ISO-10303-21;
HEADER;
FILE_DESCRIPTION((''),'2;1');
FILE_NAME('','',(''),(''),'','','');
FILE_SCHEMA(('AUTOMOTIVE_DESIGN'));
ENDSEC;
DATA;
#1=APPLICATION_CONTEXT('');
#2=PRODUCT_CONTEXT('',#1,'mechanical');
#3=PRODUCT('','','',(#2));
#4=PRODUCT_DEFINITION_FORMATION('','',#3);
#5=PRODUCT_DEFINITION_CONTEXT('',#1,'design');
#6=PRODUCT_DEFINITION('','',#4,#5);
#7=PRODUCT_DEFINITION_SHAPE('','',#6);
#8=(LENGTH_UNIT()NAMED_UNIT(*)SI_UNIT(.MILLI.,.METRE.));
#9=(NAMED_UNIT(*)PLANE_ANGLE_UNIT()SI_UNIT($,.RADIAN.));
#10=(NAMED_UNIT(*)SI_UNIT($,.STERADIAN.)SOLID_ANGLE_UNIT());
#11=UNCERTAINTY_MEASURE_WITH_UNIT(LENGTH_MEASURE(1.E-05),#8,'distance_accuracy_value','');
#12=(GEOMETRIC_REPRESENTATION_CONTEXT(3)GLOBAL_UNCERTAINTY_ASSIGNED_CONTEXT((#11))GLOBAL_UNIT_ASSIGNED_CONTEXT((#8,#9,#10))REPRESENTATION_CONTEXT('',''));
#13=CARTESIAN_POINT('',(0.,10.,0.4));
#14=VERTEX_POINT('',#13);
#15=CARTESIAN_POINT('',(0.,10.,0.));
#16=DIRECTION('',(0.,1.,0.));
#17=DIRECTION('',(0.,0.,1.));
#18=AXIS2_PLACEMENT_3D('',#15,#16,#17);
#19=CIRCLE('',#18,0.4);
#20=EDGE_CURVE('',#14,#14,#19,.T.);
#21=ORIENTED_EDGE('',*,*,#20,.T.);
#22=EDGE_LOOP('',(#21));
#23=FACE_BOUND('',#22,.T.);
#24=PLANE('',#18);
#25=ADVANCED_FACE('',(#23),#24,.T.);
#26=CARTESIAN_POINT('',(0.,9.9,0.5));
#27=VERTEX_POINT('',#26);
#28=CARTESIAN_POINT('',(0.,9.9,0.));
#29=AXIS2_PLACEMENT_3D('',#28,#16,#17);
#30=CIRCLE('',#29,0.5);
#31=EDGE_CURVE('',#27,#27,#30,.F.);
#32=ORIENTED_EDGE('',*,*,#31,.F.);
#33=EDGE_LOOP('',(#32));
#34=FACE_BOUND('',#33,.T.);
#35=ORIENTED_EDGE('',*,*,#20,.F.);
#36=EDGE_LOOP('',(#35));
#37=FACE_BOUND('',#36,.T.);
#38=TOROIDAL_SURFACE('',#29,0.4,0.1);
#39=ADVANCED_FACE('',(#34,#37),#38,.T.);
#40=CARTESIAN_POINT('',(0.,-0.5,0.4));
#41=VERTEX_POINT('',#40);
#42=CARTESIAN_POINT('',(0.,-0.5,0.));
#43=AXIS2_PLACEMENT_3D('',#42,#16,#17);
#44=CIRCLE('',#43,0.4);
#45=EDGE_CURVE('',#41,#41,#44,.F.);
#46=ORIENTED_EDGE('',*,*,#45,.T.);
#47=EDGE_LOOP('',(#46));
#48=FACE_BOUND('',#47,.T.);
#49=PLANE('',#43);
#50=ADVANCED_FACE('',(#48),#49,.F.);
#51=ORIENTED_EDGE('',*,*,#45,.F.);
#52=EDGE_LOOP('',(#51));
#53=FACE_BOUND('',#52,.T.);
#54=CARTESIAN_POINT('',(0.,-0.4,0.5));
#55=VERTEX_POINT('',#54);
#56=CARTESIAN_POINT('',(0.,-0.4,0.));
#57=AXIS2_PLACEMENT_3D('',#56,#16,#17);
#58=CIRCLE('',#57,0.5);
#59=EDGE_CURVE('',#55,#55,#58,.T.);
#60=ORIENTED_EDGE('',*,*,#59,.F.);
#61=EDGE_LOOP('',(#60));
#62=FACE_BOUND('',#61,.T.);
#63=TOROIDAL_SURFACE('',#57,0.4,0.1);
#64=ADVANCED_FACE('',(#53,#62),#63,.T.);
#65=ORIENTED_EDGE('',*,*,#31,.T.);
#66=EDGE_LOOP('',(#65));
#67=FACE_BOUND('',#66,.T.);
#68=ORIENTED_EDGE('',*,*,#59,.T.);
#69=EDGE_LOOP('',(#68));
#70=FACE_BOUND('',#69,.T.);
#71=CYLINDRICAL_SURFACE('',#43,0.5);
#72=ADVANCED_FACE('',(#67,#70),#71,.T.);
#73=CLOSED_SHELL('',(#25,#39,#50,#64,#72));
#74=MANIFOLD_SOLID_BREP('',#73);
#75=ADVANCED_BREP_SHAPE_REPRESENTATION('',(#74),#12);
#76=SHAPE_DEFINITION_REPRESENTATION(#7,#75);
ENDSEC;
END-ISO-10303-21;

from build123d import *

# Parameters (mm, degrees)
BOSS_EXTRUDE1_DEPTH      = 10
BOSS_EXTRUDE1_DEPTH_BACK = 0.5
SKETCH1_R                = 0.5
FILLET1_R                = 0.1


with BuildPart() as part:
    # Sketch1 → Boss-Extrude1 (new, two sides: drawn at the far end of the back side and taken through both)
    with BuildSketch(Plane(origin=(0, 0, 0), x_dir=(1, 0, 0), z_dir=(0, 1, 0)).offset(-BOSS_EXTRUDE1_DEPTH_BACK)):
        with Locations(Location((0, 0, 0), (0, 0, 270))):
            Circle(SKETCH1_R)
    extrude(amount=BOSS_EXTRUDE1_DEPTH + BOSS_EXTRUDE1_DEPTH_BACK)

    # Fillet1
    fillet1_edges = [part.edges().sort_by_distance(p)[0] for p in [
        (0, 10, -0.5),
        (0, -0.5, -0.5),
    ]]
    fillet(fillet1_edges, radius=FILLET1_R)


solid = part.part
